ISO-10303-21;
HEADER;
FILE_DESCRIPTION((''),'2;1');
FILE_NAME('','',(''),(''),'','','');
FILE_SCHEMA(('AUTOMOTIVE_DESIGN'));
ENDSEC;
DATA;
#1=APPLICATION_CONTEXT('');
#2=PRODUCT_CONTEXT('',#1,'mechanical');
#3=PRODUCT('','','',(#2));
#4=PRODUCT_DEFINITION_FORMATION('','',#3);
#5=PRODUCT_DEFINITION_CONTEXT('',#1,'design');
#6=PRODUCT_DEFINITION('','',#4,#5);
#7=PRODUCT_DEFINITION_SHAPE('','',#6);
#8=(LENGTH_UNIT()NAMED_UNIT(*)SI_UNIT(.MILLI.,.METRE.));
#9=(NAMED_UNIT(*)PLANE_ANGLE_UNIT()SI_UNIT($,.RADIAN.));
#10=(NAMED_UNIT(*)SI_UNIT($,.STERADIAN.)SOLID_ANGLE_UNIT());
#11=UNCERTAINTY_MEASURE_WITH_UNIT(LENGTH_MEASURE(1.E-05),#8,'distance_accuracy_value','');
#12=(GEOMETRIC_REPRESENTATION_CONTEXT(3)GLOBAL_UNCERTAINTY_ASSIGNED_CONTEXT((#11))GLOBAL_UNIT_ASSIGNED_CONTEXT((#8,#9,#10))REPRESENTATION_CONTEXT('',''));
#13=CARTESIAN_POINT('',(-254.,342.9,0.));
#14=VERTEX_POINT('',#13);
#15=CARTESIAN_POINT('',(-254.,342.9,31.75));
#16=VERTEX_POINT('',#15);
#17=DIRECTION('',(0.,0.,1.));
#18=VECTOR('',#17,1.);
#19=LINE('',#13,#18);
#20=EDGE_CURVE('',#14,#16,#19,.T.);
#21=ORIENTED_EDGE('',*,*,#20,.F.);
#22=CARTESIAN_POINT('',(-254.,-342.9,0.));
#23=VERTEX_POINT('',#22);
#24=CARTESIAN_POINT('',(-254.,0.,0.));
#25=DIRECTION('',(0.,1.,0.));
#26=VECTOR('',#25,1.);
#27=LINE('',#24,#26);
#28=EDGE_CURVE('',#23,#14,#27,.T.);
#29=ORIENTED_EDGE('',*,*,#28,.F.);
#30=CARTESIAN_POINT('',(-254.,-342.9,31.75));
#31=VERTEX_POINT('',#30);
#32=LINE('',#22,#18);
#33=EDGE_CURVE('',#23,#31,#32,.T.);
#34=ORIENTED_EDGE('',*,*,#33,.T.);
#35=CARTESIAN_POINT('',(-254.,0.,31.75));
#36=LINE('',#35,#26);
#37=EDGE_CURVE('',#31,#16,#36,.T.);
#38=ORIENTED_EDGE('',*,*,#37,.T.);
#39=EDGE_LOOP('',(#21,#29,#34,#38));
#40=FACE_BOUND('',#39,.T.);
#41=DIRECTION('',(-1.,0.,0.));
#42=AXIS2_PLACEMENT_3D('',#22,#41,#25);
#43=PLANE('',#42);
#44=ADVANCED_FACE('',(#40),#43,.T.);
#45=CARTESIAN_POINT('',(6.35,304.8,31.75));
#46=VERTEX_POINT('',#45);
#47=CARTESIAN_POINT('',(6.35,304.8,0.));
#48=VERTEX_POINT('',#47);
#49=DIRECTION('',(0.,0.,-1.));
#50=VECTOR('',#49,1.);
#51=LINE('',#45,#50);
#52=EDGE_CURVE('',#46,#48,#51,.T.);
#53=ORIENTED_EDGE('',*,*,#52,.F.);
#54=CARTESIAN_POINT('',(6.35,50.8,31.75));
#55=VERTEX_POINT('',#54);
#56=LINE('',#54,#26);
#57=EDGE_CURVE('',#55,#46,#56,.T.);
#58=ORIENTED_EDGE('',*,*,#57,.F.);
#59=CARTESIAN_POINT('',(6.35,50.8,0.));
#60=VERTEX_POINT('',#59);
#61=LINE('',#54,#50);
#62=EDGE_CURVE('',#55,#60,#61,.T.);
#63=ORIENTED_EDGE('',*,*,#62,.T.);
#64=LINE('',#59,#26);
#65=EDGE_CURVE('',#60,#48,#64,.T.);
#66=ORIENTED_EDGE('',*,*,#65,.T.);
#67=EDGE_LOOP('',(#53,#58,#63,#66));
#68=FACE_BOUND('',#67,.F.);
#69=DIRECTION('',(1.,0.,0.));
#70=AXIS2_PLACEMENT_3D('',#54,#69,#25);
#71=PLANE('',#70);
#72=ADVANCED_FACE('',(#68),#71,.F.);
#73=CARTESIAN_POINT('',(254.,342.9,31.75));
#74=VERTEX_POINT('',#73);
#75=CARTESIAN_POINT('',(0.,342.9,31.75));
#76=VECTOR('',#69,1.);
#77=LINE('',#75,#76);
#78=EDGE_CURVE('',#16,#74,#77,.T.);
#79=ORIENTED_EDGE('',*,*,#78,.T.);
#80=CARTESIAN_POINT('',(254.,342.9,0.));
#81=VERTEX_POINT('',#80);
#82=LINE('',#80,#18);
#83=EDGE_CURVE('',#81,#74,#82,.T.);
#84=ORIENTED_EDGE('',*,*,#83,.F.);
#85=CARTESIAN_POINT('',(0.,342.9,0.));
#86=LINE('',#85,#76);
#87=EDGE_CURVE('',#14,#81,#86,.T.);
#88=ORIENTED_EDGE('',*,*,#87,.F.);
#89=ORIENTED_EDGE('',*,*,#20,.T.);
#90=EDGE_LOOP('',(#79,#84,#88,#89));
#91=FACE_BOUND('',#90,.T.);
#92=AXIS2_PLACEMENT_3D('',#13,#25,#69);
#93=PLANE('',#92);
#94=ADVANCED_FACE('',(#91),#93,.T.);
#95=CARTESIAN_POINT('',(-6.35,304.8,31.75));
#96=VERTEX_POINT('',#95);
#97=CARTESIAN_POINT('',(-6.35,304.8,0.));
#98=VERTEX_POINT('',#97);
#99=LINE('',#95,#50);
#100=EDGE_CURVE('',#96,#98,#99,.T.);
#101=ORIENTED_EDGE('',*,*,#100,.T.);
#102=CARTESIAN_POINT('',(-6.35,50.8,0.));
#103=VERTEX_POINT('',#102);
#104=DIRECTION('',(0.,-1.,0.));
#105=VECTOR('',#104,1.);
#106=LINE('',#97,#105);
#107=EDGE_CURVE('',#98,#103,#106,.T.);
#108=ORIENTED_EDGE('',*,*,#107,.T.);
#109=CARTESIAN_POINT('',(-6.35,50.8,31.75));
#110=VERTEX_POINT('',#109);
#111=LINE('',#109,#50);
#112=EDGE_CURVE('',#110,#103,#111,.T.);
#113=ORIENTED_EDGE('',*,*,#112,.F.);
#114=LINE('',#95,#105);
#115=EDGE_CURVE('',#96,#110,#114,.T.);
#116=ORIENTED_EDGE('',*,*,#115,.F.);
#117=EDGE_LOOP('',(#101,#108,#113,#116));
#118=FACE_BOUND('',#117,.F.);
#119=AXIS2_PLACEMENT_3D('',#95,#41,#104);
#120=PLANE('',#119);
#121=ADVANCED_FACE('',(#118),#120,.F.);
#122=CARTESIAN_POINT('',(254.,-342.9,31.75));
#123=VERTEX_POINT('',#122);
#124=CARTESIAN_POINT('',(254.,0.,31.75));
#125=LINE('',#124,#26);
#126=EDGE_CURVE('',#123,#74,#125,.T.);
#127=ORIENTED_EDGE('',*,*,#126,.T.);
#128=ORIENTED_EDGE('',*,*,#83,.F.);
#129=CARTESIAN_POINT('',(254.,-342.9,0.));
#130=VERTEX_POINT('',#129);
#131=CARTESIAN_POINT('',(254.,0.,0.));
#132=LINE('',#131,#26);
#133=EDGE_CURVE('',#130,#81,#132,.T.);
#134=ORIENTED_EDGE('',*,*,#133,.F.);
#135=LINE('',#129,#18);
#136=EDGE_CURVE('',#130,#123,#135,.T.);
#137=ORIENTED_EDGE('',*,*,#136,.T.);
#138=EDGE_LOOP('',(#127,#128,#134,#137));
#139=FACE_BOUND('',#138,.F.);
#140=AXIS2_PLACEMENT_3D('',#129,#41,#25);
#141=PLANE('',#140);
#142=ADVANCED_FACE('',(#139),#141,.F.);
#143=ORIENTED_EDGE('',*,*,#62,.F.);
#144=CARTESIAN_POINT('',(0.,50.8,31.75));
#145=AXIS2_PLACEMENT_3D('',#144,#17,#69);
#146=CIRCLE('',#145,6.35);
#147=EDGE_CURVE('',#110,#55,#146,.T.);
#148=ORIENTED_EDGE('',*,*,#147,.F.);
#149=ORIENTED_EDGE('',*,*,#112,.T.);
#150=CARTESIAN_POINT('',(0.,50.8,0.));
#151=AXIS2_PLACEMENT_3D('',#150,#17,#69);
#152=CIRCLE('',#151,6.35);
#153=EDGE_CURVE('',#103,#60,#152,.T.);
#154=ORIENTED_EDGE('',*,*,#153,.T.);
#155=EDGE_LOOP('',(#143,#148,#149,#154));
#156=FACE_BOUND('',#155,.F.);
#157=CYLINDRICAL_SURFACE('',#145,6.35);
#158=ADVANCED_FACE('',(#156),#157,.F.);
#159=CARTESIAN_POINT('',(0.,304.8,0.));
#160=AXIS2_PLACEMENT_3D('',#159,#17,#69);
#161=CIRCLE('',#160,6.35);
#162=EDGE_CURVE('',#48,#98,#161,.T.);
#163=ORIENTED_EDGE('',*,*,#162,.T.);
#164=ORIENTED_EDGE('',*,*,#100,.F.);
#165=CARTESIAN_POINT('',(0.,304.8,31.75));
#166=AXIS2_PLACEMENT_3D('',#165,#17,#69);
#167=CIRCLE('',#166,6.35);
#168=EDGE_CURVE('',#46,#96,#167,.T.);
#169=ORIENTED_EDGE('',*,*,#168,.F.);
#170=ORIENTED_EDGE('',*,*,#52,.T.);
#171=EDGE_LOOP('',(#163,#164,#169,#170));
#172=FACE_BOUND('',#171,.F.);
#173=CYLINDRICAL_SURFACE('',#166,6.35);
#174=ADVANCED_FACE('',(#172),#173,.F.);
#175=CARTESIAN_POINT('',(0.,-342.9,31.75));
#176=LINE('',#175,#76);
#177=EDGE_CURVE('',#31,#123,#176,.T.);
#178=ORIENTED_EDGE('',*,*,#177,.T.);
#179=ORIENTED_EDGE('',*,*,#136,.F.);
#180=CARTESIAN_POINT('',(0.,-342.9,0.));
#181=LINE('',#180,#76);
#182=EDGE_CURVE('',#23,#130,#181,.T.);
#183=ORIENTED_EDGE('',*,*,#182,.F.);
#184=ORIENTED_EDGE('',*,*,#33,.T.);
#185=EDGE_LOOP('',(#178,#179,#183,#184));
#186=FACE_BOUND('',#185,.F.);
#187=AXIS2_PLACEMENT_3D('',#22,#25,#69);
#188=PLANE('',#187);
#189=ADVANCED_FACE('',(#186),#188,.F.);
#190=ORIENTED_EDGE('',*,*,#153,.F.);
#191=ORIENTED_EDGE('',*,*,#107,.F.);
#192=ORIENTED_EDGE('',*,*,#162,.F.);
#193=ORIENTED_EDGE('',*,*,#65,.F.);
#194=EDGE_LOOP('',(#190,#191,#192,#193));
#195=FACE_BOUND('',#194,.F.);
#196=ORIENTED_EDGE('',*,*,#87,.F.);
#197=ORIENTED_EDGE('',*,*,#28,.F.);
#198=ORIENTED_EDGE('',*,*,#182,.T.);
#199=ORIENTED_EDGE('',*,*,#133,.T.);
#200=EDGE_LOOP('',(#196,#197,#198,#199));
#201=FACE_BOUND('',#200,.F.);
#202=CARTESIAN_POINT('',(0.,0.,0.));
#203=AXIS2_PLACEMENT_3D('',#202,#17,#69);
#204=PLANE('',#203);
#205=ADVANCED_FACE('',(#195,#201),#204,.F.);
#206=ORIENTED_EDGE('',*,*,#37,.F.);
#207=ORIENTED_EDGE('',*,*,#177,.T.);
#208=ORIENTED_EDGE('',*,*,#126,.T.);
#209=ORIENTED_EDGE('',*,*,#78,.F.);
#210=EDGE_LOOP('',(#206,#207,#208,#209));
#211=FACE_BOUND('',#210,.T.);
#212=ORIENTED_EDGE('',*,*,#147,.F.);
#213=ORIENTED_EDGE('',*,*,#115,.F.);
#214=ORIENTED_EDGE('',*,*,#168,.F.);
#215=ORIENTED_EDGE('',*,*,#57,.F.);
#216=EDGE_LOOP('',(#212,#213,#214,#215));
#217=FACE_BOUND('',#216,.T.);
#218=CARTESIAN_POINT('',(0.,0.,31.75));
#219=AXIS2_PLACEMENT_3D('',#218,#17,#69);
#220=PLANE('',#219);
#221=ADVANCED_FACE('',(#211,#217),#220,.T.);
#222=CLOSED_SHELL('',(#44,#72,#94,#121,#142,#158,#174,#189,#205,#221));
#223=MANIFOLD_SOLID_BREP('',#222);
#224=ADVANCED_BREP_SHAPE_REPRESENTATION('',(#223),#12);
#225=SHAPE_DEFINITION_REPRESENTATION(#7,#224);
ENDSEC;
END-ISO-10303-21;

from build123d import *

# Parameters (mm, degrees)
F0_W     = 508
F0_H     = 685.8
F1_DEPTH = 31.75
F3_DEPTH = 31.75


with BuildPart() as f1:
    # F0 (on Top) → F1 (new body)
    with BuildSketch(Plane.XY):
        Rectangle(F0_W, F0_H)
    extrude(amount=F1_DEPTH)

    # F2 (on face) → F3 (cut)
    with BuildSketch(Plane.XY.offset(31.75)):
        with BuildLine():
            ThreePointArc((-6.35, 304.8), (0, 298.45), (6.35, 304.8))
            ThreePointArc((6.35, 304.8), (0, 311.15), (-6.35, 304.8))
        make_face()
        with BuildLine():
            ThreePointArc((-6.35, 50.8), (0, 44.45), (6.35, 50.8))
            ThreePointArc((6.35, 50.8), (0, 57.15), (-6.35, 50.8))
        make_face()
        with BuildLine():
            Line((6.35, 50.8), (6.35, 304.8))
            ThreePointArc((6.35, 304.8), (0, 298.45), (-6.35, 304.8))
            Line((-6.35, 304.8), (-6.35, 50.8))
            ThreePointArc((-6.35, 50.8), (0, 57.15), (6.35, 50.8))
        make_face()
    extrude(amount=-F3_DEPTH, mode=Mode.SUBTRACT)


solid = f1.part
